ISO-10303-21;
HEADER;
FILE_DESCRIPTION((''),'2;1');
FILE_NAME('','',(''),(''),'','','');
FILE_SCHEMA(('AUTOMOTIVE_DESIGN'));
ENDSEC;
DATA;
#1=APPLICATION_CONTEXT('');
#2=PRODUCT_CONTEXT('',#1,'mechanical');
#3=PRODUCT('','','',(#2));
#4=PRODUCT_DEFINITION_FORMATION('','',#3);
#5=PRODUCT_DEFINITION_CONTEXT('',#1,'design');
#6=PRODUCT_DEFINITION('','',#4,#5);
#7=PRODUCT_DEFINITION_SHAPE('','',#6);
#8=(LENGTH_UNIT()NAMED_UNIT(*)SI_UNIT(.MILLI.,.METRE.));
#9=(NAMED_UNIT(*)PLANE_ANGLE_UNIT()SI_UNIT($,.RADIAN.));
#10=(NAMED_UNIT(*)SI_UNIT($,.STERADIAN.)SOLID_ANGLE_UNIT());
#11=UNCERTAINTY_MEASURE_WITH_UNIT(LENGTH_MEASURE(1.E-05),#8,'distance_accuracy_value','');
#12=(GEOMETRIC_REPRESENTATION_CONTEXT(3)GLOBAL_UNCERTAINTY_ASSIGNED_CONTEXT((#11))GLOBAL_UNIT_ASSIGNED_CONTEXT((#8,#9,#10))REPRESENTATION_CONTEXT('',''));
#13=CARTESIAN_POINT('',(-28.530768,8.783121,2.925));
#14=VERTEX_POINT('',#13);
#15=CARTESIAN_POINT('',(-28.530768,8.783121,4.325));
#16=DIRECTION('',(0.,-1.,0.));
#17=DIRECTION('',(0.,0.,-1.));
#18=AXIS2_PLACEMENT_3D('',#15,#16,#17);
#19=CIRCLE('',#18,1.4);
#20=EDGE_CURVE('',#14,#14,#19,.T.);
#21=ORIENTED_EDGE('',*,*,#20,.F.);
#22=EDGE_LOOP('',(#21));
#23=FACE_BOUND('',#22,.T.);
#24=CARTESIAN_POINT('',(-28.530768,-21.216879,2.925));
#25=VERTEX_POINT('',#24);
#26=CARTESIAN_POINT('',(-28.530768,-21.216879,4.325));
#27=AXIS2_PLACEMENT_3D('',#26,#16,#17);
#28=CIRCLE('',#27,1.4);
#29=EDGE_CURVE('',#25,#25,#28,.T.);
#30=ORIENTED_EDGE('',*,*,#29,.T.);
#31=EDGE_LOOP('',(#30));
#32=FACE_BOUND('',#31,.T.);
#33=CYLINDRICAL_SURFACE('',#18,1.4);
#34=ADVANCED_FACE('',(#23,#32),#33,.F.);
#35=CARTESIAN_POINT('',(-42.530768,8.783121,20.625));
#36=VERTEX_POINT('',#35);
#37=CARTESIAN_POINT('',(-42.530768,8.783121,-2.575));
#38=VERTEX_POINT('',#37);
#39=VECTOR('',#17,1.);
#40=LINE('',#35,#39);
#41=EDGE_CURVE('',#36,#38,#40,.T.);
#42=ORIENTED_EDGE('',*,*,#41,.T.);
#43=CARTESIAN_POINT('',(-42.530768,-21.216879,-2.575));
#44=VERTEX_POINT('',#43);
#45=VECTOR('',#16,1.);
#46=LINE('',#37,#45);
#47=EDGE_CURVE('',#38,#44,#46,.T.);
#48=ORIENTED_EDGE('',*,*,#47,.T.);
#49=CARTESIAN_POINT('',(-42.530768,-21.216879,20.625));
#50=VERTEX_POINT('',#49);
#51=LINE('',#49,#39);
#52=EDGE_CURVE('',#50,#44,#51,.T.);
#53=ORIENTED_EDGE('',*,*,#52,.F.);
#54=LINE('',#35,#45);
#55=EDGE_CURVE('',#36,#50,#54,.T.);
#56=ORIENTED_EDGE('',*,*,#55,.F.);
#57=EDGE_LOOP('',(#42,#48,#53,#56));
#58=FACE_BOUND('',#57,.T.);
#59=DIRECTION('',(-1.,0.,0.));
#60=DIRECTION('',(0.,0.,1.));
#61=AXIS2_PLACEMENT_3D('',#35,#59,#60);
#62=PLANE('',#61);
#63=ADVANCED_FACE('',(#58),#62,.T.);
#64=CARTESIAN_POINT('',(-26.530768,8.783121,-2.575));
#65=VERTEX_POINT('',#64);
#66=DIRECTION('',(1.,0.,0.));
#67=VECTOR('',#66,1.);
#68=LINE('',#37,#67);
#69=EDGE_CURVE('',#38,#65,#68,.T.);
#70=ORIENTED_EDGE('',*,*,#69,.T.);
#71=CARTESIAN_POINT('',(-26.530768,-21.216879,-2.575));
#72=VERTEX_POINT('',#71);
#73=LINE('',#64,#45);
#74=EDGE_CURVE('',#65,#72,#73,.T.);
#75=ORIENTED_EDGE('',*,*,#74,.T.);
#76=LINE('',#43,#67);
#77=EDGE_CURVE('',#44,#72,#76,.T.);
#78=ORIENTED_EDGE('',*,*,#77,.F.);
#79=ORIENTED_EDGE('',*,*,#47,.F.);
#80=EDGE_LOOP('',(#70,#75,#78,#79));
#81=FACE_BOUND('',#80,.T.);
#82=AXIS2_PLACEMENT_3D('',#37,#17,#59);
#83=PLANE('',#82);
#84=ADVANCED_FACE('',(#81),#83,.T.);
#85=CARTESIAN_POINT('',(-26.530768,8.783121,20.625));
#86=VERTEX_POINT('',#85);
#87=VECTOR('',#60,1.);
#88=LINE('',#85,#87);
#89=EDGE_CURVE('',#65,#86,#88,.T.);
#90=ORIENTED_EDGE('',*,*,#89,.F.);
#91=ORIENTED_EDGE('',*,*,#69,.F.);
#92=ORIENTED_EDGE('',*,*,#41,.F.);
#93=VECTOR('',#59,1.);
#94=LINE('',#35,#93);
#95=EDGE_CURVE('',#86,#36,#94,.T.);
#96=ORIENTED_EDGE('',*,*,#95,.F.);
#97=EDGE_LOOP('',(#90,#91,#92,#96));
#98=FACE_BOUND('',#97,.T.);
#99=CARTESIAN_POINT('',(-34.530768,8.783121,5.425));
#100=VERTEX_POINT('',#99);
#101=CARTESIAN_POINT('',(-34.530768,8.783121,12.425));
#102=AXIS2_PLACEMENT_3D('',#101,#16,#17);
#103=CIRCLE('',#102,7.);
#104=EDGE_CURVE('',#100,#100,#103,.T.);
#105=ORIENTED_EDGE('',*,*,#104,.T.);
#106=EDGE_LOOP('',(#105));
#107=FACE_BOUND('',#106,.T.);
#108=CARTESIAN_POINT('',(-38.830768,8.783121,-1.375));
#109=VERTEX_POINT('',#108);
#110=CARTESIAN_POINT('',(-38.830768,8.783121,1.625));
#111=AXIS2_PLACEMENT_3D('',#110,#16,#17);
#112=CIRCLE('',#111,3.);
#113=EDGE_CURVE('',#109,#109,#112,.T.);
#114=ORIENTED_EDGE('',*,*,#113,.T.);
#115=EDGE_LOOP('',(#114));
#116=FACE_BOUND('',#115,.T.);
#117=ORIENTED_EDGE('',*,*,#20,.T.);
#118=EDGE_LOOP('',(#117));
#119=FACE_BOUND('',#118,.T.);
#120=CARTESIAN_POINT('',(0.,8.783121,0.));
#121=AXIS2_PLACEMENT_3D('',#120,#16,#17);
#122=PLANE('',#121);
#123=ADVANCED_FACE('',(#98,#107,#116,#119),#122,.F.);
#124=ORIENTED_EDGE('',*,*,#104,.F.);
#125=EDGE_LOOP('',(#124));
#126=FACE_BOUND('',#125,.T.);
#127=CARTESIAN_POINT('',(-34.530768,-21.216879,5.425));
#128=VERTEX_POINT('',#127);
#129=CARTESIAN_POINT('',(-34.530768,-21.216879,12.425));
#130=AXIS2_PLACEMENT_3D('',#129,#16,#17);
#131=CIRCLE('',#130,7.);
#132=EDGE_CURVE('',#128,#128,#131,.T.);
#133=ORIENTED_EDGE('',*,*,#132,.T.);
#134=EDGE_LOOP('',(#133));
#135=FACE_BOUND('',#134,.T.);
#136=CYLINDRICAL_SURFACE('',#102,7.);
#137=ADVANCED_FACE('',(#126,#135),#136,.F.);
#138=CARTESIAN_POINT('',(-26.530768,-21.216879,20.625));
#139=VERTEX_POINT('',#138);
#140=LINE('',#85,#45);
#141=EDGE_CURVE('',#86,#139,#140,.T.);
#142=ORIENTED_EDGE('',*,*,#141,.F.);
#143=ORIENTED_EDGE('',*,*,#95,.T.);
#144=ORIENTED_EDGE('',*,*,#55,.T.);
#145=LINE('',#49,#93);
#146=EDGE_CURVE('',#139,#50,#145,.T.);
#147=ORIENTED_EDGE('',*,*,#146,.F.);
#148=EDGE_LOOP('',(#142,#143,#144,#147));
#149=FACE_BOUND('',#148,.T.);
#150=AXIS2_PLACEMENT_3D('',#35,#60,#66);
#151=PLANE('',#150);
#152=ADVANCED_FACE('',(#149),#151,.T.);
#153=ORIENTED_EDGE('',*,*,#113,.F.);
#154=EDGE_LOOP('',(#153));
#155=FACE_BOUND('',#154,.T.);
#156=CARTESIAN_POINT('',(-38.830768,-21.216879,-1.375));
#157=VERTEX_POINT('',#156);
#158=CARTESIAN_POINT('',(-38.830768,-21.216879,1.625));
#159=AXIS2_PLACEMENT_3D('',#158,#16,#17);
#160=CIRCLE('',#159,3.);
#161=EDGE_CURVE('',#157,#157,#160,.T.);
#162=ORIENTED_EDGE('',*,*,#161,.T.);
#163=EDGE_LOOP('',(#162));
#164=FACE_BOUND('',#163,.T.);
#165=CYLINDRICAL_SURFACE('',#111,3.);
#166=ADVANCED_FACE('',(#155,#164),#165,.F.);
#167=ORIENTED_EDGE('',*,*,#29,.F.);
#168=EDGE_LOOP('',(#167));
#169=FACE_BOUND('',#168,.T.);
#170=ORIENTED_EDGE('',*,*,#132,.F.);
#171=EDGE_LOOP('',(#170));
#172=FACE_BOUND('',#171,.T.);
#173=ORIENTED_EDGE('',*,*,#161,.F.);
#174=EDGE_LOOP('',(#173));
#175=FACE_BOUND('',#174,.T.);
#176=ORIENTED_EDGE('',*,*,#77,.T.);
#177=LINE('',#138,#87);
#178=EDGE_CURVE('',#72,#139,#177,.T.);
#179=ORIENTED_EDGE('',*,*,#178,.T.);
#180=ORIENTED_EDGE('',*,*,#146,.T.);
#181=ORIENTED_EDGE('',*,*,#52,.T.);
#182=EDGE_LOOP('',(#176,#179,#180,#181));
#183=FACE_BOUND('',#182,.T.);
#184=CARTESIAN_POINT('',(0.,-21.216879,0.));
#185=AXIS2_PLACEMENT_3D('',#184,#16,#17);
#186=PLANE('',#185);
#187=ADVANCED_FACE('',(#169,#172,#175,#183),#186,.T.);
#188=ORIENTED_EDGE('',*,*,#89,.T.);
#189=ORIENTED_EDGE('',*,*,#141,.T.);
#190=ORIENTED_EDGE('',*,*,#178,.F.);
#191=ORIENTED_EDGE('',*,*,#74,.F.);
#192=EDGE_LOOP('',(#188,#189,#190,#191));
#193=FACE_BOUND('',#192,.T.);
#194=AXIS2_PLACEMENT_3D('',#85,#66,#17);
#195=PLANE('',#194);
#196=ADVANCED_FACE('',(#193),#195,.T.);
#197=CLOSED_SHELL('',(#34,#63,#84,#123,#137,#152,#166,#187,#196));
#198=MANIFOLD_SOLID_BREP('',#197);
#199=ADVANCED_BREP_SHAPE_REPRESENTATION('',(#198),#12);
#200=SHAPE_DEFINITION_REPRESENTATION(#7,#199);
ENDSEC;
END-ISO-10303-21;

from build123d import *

# Parameters (mm, degrees)
CROQUIS1_W              = 16
CROQUIS1_H              = 23.2
CROQUIS1_R              = 7
CROQUIS1_R_2            = 3
CROQUIS1_R_3            = 1.4
SALIENTE_EXTRUIR1_DEPTH = 30


with BuildPart() as part:
    # Croquis1 → Saliente-Extruir1 (new body)
    with BuildSketch(Plane.XZ.offset(21.216878831)):
        with Locations((-34.53076768, 9.025)):
            Rectangle(CROQUIS1_W, CROQUIS1_H)
        with Locations((-34.53076768, 12.425)):
            Circle(CROQUIS1_R, mode=Mode.SUBTRACT)
        with Locations((-38.83076768, 1.625)):
            Circle(CROQUIS1_R_2, mode=Mode.SUBTRACT)
        with Locations((-28.53076768, 4.325)):
            Circle(CROQUIS1_R_3, mode=Mode.SUBTRACT)
    extrude(amount=-SALIENTE_EXTRUIR1_DEPTH)


solid = part.part
